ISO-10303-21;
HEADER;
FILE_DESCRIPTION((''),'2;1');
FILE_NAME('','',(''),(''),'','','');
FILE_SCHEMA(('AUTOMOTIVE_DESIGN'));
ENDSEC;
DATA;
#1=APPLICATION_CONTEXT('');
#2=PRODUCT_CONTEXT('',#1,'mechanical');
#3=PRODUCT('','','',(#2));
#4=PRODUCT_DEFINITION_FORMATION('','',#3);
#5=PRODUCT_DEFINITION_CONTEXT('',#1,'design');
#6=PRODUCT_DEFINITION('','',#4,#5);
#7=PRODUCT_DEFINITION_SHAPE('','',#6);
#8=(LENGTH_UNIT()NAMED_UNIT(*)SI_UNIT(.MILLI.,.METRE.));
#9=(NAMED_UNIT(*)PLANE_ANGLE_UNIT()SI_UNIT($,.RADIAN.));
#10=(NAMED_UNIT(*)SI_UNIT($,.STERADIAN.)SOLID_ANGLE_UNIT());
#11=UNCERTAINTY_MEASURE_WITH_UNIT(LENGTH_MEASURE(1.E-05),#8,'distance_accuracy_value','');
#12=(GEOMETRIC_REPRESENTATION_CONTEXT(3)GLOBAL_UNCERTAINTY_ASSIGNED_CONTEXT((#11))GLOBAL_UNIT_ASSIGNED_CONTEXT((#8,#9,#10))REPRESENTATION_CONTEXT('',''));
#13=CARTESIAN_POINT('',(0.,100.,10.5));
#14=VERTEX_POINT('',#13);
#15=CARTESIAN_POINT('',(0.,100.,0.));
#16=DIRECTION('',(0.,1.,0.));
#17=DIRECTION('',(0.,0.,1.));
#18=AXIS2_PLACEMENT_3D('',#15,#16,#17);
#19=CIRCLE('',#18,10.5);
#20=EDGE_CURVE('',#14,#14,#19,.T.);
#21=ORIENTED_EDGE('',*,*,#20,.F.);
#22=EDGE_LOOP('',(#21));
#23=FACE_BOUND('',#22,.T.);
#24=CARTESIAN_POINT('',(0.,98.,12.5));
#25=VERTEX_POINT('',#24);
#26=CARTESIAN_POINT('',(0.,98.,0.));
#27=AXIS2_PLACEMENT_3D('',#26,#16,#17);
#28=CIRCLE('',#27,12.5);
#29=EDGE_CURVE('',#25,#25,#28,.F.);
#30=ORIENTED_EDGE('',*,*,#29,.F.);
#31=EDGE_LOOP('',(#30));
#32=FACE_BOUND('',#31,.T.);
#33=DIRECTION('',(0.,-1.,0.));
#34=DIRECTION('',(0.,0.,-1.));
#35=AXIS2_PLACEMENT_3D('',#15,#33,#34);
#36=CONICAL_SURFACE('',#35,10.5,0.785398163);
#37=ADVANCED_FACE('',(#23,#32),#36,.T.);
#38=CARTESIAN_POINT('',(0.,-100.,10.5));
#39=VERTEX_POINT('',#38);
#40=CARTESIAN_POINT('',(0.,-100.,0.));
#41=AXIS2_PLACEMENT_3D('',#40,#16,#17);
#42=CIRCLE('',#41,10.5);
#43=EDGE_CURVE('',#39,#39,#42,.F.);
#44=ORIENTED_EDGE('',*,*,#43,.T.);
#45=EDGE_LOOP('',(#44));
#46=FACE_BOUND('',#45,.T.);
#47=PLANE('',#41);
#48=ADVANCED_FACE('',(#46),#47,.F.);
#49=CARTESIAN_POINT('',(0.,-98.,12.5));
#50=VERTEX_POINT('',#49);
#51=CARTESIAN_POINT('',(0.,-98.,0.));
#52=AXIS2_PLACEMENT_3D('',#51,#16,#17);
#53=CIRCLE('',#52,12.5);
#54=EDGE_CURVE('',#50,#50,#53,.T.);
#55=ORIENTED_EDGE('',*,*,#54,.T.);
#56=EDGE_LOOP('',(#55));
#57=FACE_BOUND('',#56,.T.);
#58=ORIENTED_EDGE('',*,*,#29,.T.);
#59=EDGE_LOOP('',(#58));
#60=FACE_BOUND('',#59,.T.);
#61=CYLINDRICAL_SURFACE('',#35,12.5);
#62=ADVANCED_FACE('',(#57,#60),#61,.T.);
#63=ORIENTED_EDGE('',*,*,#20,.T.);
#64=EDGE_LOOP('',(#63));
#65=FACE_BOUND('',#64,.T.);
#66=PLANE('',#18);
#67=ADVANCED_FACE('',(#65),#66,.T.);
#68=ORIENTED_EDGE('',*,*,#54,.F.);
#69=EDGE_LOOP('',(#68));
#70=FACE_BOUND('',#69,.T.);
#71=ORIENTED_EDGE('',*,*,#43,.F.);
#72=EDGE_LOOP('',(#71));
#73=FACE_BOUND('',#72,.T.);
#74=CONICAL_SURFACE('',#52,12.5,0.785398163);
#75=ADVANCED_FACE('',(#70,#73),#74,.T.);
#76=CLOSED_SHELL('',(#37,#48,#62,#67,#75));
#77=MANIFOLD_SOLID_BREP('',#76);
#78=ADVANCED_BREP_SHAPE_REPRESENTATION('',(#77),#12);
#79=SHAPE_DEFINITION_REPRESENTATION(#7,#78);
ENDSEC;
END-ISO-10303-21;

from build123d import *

# Parameters (mm, degrees)
SKETCH1_R           = 12.5
BOSS_EXTRUDE1_DEPTH = 100
CHAMFER1_SIZE       = 2


with BuildPart() as part:
    # Sketch1 → Boss-Extrude1 (new body, symmetric)
    with BuildSketch(Plane(origin=(0, 0, 0), x_dir=(1, 0, 0), z_dir=(0, 1, 0))):
        Circle(SKETCH1_R)
    extrude(amount=BOSS_EXTRUDE1_DEPTH, both=True)

    # Chamfer1
    chamfer1_edges = [part.edges().sort_by_distance(p)[0] for p in [
        (-12.5, -100, 0),
        (-12.5, 100, 0),
    ]]
    chamfer(chamfer1_edges, length=CHAMFER1_SIZE)


solid = part.part
